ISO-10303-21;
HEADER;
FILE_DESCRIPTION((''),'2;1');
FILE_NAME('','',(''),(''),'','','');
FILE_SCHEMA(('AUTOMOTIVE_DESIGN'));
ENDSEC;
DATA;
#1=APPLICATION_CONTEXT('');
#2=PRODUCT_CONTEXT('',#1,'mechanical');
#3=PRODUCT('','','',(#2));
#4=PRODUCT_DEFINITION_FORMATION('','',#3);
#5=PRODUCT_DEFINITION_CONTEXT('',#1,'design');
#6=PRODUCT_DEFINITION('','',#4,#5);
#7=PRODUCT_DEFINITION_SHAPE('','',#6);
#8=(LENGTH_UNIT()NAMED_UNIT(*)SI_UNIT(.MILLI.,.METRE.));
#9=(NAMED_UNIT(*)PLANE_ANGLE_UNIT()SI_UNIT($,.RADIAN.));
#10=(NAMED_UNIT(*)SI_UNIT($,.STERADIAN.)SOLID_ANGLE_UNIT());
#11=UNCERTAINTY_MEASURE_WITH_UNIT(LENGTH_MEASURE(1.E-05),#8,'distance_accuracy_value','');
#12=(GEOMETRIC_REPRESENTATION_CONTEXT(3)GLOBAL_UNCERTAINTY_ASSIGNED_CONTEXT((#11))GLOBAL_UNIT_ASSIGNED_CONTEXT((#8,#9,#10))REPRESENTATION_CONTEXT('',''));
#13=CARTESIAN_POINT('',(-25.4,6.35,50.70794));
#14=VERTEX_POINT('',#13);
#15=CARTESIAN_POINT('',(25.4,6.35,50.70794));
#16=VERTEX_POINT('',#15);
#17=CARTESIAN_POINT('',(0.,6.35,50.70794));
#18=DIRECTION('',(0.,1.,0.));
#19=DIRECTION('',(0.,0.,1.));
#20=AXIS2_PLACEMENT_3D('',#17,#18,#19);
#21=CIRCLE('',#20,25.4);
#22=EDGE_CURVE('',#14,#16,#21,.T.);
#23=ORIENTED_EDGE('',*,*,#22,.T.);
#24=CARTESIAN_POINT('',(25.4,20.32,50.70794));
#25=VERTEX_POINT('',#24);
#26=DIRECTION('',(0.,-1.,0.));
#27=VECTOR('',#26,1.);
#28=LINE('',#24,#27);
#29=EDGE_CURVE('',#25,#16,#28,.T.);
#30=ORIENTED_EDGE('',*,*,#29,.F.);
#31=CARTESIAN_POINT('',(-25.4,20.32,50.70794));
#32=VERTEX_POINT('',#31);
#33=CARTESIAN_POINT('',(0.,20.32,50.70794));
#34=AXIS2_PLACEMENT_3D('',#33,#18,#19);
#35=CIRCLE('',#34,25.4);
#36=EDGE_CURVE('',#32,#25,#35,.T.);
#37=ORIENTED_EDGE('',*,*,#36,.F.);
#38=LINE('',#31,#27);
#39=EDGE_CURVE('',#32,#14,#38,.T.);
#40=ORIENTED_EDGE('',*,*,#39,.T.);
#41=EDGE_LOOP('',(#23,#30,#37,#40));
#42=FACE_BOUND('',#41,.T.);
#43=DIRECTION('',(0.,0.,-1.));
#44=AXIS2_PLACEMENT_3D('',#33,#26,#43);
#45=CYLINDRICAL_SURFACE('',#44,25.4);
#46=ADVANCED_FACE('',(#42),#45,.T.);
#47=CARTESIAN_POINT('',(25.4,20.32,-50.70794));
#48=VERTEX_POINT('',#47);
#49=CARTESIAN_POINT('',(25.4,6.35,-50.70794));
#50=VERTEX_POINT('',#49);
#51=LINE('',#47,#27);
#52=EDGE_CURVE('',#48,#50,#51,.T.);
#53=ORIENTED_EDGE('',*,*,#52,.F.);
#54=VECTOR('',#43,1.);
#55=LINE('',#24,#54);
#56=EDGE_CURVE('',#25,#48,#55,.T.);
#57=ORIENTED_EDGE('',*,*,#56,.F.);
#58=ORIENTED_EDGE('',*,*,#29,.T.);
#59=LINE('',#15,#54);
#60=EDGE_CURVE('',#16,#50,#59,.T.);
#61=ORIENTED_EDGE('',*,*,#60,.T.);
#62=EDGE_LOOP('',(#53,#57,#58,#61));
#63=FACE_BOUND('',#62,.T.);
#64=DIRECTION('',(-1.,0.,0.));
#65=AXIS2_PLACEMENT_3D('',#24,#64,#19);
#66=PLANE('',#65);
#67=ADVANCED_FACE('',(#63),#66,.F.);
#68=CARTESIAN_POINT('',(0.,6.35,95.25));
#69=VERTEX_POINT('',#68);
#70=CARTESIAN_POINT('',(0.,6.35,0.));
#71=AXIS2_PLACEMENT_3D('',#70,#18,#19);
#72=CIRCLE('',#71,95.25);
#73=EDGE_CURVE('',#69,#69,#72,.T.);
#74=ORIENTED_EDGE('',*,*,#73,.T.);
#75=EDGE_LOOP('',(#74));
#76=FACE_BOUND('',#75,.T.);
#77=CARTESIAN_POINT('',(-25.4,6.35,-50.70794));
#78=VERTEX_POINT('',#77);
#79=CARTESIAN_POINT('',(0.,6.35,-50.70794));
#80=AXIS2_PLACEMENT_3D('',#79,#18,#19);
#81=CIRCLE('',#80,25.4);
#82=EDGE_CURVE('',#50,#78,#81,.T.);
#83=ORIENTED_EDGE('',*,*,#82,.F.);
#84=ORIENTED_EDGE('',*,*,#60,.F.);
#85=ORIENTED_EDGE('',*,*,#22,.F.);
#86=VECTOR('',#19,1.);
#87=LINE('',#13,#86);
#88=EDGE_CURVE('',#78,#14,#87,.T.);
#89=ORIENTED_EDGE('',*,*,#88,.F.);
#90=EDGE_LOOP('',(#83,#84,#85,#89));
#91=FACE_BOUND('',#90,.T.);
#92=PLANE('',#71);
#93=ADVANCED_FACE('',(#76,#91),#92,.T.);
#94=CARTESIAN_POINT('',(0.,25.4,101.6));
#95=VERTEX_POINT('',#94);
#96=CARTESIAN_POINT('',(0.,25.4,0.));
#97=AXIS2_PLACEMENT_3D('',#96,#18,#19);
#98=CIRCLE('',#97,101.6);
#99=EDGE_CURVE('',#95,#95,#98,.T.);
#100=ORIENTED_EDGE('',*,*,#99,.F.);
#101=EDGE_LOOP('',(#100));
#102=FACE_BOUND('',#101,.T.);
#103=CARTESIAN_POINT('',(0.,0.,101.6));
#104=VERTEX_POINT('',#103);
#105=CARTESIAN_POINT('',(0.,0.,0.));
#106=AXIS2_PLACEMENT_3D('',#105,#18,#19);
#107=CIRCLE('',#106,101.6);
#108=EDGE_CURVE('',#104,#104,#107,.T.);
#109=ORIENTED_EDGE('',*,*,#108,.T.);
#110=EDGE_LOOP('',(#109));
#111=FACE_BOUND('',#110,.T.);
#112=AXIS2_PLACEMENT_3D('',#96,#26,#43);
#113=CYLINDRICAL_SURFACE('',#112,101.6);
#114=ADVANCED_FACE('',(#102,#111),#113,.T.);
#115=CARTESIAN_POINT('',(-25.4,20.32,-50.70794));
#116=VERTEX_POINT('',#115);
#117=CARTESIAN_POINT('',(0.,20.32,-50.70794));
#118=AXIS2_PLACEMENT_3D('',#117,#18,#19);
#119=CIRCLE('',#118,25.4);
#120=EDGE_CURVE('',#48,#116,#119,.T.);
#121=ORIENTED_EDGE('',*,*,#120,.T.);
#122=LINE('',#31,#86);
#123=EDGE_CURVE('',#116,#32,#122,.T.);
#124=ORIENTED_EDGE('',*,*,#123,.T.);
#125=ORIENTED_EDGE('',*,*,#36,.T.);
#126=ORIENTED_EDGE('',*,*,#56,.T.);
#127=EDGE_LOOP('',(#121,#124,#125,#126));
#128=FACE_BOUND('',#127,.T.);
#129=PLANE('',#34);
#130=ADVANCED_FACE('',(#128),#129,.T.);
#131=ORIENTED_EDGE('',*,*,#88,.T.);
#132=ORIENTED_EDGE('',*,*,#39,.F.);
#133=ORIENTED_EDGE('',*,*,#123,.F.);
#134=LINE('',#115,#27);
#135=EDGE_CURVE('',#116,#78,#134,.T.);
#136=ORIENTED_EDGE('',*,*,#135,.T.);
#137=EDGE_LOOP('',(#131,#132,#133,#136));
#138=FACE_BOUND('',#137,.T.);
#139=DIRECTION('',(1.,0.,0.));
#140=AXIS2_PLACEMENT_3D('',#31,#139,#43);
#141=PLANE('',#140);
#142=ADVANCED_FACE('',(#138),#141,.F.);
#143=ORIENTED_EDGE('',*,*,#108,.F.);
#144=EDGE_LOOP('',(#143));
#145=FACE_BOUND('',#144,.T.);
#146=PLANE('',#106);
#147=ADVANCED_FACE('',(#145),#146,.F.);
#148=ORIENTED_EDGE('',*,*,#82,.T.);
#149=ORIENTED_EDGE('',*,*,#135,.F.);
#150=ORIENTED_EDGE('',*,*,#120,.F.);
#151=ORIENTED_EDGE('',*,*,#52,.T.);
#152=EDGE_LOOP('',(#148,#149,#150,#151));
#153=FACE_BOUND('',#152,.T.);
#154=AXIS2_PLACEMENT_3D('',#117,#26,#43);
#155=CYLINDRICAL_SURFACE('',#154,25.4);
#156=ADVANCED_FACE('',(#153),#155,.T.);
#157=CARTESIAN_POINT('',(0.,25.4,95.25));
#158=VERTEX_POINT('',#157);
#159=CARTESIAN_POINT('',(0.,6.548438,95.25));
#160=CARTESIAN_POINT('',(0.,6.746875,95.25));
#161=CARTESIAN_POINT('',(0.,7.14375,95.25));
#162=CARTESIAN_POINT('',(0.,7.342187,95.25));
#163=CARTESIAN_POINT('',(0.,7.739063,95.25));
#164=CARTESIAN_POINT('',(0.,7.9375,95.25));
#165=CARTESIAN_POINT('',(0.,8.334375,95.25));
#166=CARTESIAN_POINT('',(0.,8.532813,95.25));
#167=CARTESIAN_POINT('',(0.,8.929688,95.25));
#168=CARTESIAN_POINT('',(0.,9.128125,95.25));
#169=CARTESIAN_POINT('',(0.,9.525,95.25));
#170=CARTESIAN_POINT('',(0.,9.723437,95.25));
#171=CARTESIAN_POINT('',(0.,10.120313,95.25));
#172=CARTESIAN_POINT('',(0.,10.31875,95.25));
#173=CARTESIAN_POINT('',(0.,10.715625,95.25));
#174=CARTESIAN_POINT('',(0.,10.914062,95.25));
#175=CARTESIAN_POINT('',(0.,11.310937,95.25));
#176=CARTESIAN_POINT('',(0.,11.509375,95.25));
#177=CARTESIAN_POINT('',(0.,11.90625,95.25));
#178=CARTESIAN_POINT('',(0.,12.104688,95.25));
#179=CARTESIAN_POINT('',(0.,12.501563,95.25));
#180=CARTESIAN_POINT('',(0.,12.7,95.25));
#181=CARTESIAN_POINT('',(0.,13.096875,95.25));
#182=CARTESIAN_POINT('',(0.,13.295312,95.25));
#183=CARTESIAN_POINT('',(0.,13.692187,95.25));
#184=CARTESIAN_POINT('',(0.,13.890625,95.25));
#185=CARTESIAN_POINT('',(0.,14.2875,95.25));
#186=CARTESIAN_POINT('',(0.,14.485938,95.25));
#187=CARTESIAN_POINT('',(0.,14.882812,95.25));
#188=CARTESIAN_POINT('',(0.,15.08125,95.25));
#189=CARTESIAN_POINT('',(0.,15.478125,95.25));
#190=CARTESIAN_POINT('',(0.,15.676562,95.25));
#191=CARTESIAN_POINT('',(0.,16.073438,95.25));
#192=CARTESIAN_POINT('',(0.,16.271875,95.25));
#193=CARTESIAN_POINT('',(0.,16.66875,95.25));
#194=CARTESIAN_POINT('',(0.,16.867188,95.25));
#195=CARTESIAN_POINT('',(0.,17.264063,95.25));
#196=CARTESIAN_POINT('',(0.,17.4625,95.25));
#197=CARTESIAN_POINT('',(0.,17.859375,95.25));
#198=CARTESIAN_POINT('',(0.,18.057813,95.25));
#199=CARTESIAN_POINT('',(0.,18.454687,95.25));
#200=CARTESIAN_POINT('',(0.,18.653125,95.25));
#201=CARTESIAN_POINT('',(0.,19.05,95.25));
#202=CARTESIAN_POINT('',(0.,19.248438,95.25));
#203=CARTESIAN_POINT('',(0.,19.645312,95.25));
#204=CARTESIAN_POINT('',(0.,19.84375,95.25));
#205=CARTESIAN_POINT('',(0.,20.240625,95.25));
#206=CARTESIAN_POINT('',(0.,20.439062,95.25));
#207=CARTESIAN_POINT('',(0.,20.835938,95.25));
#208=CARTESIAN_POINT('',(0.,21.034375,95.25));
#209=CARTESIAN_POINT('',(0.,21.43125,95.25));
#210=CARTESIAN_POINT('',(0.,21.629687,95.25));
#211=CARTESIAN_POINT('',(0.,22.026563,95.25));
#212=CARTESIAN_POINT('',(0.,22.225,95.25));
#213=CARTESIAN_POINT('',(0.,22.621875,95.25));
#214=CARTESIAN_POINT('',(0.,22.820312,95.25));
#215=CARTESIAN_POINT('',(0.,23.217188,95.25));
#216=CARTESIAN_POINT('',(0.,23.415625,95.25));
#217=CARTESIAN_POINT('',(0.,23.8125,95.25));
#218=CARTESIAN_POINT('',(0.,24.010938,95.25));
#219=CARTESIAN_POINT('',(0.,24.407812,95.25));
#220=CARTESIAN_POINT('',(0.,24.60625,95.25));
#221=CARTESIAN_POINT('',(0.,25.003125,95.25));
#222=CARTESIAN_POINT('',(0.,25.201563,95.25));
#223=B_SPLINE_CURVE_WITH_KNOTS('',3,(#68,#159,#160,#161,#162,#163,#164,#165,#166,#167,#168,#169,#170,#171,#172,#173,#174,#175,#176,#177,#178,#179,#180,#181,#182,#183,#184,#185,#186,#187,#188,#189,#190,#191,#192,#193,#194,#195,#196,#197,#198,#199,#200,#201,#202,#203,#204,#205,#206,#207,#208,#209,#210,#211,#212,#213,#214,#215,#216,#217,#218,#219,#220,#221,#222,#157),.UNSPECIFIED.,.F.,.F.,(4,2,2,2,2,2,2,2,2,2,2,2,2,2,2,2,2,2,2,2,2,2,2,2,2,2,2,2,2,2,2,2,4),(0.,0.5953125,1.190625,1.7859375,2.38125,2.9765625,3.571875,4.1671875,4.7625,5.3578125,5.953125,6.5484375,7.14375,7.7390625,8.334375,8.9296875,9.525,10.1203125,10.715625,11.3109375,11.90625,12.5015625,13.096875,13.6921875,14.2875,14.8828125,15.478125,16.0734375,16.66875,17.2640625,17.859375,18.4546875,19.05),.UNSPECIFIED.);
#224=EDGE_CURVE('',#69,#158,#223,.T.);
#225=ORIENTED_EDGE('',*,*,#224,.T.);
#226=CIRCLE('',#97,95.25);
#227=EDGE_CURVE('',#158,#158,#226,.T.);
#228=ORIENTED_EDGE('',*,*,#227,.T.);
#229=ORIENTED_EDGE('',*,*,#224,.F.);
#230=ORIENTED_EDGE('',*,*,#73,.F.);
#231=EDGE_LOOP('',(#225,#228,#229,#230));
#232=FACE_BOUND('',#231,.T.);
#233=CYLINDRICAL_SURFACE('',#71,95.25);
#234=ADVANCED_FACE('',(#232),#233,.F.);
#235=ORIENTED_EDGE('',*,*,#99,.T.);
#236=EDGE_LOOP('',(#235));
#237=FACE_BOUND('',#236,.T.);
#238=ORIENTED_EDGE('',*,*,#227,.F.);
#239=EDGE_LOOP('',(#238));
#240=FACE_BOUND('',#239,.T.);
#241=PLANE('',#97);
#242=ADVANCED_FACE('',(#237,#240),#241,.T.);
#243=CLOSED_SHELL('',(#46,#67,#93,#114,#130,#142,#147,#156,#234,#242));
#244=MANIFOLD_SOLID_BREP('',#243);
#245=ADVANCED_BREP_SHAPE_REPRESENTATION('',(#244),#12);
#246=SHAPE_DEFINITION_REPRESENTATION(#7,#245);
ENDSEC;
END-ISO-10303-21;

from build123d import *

# Parameters (mm, degrees)
SKETCH1_R           = 101.6
BOSS_EXTRUDE1_DEPTH = 25.4
SKETCH3_R           = 95.25
CUT_EXTRUDE1_DEPTH  = 19.05
BOSS_EXTRUDE2_DEPTH = 13.97


with BuildPart() as part:
    # Sketch1 → Boss-Extrude1 (new body)
    with BuildSketch(Plane(origin=(0, 0, 0), x_dir=(1, 0, 0), z_dir=(0, 1, 0))):
        with Locations(Location((0, 0, 0), (0, 0, 270))):
            Circle(SKETCH1_R)
    extrude(amount=BOSS_EXTRUDE1_DEPTH)

    # Sketch3 → Cut-Extrude1 (cut)
    with BuildSketch(Plane(origin=(0, 25.4, 0), x_dir=(1, 0, 0), z_dir=(0, 1, 0))):
        with Locations(Location((0, 0, 0), (0, 0, 270))):
            Circle(SKETCH3_R)
    extrude(amount=-CUT_EXTRUDE1_DEPTH, mode=Mode.SUBTRACT)

    # Sketch5 → Boss-Extrude2 (add)
    with BuildSketch(Plane(origin=(0, 6.35, 0), x_dir=(1, 0, 0), z_dir=(0, 1, 0))):
        with BuildLine():
            Line((-25.4, -50.707939874), (-25.4, 50.707939874))
            ThreePointArc((-25.4, 50.707939874), (0, 76.107939874), (25.4, 50.707939874))
            Line((25.4, 50.707939874), (25.4, -50.707939874))
            ThreePointArc((25.4, -50.707939874), (0, -76.107939874), (-25.4, -50.707939874))
        make_face()
    extrude(amount=BOSS_EXTRUDE2_DEPTH)


solid = part.part
